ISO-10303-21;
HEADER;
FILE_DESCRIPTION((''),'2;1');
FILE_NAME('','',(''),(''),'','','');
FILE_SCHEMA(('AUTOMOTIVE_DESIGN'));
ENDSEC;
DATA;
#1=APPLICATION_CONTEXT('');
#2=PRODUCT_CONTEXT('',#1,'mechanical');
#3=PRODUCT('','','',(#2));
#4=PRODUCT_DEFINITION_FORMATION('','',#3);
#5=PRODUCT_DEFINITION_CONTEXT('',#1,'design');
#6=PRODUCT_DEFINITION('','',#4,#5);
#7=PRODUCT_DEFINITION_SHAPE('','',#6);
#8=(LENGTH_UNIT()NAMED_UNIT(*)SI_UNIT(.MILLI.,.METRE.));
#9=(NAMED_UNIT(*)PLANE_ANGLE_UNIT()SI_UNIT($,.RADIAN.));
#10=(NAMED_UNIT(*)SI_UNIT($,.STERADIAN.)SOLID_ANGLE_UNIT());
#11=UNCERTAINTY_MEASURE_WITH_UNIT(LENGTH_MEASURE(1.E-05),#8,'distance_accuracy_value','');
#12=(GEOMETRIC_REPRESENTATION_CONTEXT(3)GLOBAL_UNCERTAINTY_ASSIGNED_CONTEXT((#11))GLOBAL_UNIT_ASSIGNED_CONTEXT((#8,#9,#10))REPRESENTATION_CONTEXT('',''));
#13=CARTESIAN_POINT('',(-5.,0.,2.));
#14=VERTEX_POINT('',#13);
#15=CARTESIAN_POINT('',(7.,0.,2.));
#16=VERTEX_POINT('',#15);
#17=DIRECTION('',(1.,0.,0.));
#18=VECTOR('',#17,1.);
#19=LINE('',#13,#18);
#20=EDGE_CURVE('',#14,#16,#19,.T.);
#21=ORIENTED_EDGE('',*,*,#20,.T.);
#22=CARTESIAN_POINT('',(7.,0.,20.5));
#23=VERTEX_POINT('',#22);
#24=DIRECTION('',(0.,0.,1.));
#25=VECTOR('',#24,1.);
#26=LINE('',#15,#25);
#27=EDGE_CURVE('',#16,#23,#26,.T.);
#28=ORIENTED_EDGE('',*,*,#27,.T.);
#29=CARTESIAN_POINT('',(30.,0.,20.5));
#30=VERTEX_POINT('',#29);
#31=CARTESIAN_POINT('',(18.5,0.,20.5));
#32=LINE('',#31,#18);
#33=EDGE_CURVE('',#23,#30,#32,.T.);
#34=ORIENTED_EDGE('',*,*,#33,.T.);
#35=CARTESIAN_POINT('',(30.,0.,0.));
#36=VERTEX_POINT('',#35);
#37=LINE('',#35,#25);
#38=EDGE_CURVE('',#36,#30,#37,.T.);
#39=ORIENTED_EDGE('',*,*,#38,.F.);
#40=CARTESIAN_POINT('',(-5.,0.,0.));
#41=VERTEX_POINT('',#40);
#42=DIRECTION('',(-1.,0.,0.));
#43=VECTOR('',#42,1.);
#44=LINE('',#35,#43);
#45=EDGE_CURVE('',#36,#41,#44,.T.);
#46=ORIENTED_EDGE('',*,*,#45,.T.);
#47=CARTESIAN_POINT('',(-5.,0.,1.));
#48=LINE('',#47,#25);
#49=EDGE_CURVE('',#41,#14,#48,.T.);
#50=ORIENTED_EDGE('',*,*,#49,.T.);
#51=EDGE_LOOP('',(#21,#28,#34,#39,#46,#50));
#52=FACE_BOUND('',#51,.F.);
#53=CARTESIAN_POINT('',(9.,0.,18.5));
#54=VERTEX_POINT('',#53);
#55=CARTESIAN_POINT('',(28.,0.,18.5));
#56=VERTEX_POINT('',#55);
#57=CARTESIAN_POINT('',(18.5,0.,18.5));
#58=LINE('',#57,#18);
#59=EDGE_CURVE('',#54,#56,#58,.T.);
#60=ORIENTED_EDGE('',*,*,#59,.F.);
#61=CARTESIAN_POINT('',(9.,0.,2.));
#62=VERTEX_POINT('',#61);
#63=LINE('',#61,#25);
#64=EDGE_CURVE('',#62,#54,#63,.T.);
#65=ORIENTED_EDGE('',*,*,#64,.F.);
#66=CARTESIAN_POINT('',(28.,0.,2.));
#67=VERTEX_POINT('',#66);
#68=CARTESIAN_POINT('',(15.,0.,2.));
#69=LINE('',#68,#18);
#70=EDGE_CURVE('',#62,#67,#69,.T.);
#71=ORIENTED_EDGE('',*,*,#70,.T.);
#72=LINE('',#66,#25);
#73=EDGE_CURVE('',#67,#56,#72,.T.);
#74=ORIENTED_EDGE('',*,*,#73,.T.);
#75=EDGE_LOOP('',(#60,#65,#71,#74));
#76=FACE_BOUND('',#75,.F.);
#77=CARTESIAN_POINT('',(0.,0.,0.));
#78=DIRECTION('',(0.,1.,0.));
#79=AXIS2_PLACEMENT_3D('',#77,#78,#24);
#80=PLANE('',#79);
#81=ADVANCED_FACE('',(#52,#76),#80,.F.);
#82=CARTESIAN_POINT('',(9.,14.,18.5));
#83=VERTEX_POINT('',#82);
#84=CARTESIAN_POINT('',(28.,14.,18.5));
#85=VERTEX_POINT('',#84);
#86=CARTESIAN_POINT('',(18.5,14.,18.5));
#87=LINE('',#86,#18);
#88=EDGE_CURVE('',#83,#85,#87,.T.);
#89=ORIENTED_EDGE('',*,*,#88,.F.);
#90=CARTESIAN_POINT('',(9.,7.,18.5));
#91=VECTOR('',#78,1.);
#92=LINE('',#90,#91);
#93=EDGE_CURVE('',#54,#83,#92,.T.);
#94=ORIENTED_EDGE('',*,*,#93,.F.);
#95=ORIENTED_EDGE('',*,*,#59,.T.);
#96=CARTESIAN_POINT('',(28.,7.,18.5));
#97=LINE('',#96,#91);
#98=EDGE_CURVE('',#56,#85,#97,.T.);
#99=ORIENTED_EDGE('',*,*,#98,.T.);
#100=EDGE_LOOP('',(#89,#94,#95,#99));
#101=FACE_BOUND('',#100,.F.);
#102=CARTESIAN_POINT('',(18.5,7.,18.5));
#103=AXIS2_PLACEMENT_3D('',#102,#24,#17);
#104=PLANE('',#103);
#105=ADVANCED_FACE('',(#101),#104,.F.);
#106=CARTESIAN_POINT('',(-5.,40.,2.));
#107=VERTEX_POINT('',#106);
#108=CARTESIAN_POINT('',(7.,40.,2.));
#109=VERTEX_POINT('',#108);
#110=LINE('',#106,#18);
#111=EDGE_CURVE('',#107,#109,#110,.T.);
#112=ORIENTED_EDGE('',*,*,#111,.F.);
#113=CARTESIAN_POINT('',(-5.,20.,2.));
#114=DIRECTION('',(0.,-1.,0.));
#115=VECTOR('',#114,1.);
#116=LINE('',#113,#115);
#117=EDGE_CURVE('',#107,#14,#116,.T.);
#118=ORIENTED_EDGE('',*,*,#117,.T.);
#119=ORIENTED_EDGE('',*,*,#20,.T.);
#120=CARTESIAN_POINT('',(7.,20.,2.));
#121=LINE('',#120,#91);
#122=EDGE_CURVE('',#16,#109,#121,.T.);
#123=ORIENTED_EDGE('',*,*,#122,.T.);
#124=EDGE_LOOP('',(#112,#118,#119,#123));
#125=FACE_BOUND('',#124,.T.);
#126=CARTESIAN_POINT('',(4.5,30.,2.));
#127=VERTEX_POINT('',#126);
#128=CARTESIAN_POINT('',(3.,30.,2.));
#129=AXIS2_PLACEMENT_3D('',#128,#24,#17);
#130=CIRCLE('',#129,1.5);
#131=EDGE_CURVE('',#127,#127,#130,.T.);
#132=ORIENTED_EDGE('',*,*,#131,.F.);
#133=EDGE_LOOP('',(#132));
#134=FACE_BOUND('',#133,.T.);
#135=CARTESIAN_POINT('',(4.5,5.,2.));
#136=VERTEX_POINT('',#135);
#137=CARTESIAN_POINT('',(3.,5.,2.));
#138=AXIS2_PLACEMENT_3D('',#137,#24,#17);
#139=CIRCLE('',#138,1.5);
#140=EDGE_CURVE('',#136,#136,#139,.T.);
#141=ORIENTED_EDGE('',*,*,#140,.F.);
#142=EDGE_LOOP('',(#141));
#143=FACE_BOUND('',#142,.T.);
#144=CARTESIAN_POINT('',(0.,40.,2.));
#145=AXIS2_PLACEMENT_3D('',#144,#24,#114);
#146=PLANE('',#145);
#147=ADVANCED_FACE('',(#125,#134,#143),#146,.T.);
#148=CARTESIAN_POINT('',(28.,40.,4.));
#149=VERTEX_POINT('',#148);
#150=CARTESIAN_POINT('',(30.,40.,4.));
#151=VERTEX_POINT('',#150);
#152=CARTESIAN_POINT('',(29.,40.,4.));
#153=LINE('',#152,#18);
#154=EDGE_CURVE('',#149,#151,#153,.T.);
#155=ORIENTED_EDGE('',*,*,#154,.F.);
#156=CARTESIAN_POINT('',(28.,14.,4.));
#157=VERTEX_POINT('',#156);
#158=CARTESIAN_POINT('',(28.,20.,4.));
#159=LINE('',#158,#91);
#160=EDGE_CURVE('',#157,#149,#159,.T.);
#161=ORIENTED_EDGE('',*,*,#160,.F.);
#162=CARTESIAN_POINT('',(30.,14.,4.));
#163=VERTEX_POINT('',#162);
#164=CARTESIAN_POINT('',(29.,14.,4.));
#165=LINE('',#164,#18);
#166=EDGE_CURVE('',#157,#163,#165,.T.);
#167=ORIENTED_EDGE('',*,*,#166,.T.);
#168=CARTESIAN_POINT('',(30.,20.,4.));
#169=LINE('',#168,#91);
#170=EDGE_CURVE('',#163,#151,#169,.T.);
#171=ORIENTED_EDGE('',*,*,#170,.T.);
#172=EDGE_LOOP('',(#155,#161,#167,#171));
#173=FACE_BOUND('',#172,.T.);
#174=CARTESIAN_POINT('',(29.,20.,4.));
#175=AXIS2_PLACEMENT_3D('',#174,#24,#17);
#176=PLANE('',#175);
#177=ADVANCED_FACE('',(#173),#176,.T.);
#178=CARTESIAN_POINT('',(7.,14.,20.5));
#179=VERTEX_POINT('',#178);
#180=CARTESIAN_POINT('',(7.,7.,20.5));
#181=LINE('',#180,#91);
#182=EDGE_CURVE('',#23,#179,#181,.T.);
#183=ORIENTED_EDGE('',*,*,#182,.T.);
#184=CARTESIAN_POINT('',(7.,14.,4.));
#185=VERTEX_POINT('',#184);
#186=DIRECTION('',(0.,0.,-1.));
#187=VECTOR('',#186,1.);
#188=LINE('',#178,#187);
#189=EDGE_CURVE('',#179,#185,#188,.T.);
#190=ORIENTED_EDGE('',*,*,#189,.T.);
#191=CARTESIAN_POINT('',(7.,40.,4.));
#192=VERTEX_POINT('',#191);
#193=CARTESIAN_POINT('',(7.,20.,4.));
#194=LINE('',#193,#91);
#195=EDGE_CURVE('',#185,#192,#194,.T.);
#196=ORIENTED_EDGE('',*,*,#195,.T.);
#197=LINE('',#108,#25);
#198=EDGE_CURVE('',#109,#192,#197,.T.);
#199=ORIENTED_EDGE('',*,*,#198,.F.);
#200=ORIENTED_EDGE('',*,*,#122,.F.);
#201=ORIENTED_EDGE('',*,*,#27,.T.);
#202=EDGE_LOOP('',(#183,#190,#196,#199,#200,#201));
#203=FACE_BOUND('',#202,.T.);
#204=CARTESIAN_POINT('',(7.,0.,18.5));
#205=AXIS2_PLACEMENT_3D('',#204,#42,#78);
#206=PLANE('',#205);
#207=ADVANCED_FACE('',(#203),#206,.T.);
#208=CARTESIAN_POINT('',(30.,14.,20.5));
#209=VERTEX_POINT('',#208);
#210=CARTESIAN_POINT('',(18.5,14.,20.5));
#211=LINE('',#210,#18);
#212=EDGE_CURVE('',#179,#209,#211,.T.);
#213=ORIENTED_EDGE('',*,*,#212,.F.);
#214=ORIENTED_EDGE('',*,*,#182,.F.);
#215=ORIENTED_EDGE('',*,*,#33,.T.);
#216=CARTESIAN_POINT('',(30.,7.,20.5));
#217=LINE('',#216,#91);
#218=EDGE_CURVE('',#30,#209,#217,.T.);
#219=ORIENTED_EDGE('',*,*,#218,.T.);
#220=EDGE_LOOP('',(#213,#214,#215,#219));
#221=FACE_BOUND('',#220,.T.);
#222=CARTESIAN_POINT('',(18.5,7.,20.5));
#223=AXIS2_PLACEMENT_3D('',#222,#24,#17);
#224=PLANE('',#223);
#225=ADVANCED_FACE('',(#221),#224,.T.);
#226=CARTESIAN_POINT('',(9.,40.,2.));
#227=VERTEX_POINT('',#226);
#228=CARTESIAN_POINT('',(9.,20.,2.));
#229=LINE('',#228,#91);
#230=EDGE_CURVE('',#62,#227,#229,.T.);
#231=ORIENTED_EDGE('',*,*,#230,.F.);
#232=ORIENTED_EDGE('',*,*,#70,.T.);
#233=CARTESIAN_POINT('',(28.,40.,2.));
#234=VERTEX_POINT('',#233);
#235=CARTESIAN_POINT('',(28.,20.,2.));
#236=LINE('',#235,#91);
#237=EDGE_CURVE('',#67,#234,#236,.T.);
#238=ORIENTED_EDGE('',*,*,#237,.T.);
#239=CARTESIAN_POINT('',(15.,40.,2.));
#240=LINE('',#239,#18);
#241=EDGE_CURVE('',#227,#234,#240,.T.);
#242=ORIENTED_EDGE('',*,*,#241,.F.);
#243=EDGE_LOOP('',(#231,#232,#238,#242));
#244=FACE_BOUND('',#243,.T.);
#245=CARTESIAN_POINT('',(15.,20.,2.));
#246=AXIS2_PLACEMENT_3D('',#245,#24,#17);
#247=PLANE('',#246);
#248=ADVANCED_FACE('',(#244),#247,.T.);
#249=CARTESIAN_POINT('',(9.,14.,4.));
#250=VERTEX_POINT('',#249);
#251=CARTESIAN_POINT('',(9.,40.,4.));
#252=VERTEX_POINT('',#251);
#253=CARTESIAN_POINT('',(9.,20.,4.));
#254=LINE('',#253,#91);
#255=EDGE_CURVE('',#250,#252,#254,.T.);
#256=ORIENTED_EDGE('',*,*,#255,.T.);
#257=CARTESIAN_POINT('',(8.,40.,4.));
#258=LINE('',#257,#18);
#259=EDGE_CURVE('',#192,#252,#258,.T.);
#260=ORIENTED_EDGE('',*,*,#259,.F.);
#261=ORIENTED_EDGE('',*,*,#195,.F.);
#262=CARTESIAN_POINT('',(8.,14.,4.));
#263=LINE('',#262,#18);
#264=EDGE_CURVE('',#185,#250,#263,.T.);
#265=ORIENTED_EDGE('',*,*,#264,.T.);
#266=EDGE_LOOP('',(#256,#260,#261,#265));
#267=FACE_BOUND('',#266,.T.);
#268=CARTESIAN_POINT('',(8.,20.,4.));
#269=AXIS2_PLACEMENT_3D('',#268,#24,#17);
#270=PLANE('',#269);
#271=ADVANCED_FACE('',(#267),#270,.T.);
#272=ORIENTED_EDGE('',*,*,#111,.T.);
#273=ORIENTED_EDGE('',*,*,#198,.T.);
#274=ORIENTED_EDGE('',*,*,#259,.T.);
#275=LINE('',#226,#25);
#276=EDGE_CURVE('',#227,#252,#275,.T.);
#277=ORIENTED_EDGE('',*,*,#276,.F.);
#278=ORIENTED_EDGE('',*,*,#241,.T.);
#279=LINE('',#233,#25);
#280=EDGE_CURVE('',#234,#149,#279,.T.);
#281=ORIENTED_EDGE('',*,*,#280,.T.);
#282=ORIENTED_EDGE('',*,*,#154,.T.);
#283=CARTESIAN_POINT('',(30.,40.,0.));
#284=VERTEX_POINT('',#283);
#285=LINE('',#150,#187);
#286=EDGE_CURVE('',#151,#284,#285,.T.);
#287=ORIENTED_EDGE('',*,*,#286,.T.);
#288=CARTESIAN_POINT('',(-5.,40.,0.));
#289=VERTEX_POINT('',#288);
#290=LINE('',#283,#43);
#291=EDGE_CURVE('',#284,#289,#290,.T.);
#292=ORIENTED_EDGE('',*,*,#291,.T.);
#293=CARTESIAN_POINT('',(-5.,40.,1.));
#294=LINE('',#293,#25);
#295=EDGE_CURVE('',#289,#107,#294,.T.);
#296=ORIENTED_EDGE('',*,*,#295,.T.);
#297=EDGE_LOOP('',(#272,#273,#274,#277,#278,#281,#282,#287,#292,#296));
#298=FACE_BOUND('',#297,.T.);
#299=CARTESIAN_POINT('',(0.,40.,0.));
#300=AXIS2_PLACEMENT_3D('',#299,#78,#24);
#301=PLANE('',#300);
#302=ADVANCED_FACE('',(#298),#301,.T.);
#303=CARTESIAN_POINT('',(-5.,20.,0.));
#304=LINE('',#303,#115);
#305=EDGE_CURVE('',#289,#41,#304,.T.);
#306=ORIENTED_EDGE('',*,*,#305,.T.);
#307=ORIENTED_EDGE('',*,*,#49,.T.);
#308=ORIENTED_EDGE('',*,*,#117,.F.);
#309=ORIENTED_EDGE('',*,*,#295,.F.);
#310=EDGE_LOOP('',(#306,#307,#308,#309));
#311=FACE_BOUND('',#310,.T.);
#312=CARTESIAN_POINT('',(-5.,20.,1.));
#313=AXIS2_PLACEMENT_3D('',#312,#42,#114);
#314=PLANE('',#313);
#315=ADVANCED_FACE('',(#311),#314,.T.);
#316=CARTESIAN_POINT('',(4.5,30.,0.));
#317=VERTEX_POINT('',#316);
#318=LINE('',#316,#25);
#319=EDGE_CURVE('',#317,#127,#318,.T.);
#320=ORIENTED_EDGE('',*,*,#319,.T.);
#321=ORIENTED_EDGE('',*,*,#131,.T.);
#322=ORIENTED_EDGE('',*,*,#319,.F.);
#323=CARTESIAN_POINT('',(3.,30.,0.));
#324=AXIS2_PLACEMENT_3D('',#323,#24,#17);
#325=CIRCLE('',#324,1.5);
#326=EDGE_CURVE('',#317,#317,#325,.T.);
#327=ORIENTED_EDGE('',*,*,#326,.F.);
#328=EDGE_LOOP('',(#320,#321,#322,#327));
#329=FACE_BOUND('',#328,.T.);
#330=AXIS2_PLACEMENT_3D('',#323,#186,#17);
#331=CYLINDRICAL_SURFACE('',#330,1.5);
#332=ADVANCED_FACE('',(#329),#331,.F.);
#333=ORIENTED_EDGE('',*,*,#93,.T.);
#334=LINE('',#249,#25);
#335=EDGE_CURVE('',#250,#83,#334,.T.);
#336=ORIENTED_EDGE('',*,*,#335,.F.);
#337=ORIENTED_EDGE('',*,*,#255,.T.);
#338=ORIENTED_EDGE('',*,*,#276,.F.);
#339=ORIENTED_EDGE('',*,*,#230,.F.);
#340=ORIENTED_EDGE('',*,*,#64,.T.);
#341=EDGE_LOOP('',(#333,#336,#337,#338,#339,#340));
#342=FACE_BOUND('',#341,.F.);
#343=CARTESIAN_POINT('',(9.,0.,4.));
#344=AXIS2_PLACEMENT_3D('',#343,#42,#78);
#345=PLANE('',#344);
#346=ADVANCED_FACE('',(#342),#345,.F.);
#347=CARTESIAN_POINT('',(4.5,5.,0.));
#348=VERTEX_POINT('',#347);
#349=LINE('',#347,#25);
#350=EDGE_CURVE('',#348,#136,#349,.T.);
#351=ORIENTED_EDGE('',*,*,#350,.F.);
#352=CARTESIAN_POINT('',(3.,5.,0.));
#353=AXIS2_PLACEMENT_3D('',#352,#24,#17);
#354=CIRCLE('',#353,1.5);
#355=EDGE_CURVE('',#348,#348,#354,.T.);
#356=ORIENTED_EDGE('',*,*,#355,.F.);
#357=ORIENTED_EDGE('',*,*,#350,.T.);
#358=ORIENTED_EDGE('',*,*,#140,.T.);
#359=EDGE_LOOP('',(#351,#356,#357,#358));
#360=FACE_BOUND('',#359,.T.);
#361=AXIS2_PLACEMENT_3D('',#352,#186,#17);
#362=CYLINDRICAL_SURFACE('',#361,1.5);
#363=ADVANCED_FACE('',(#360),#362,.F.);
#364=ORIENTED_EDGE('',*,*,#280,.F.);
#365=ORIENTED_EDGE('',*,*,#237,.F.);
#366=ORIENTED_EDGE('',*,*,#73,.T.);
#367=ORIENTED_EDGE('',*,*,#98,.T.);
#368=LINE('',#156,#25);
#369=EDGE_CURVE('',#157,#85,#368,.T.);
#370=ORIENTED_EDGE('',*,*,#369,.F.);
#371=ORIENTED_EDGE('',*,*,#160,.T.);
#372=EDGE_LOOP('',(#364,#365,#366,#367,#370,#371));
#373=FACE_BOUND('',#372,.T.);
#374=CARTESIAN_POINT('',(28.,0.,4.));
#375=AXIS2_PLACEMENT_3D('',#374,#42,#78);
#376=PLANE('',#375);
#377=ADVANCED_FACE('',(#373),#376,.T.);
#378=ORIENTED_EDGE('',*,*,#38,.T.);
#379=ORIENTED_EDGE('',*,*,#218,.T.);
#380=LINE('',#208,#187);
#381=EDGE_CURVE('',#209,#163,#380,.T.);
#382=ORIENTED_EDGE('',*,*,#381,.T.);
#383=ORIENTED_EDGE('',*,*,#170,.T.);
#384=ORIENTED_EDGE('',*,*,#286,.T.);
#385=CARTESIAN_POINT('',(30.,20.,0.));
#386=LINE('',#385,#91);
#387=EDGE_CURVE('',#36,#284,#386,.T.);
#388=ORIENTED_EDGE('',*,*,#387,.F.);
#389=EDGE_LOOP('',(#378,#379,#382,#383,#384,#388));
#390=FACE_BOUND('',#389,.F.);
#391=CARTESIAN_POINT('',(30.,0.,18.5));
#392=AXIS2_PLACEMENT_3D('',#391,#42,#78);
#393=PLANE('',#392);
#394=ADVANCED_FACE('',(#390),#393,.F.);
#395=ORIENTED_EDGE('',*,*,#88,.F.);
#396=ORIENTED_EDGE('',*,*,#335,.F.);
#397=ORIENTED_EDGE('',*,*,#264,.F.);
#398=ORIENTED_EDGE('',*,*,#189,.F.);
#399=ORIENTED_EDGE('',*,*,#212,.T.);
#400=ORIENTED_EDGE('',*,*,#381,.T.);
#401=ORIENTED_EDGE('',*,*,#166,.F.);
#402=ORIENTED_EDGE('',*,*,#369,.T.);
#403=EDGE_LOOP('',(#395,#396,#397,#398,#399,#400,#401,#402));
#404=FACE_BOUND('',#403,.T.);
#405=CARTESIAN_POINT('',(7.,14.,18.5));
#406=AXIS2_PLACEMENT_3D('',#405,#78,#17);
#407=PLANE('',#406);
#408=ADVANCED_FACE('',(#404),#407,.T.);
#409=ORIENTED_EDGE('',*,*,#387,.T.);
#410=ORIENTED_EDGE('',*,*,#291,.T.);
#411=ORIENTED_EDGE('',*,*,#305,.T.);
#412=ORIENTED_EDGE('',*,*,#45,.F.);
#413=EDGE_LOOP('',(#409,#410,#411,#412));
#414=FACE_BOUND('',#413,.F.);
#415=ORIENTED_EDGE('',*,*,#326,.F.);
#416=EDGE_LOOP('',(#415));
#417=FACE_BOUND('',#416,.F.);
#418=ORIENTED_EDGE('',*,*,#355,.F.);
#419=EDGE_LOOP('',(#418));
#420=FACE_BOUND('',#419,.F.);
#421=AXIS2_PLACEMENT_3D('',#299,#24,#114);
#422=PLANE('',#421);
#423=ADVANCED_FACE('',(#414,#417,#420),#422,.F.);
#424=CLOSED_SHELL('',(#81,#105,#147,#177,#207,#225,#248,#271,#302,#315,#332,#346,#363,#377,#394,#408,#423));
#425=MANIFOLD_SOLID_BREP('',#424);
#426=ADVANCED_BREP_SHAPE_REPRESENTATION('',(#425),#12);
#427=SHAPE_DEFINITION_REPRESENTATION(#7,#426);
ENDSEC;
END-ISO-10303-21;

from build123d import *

# Parameters (mm, degrees)
SKETCH_W     = 30
SKETCH_H     = 40
SKETCH_R     = 1.5
PAD_DEPTH    = 2
SKETCH001_W  = 2
SKETCH001_H  = 40
PAD001_DEPTH = 2
SKETCH002_W  = 2
SKETCH002_H  = 14
PAD002_DEPTH = 14.5
SKETCH003_W  = 2
SKETCH003_H  = 14
PAD003_DEPTH = 14.5
SKETCH004_W  = 23
SKETCH004_H  = 14
PAD004_DEPTH = 2
SKETCH005_W  = 40
SKETCH005_H  = 2
PAD005_DEPTH = 5


with BuildPart() as part:
    # Sketch → Pad (new body)
    with BuildSketch(Plane.XY):
        with Locations((15, 20)):
            Rectangle(SKETCH_W, SKETCH_H)
        with Locations((3, 5)):
            Circle(SKETCH_R, mode=Mode.SUBTRACT)
        with Locations((3, 30)):
            Circle(SKETCH_R, mode=Mode.SUBTRACT)
    extrude(amount=PAD_DEPTH)

    # Sketch001 → Pad001 (new body)
    with BuildSketch(Plane.XY.offset(2)):
        with Locations((29, 20)):
            Rectangle(SKETCH001_W, SKETCH001_H)
        with Locations((8, 20)):
            Rectangle(SKETCH001_W, SKETCH001_H)
    extrude(amount=PAD001_DEPTH)

    # Sketch002 → Pad002 (new body)
    with BuildSketch(Plane.XY.offset(4)):
        with Locations((29, 7)):
            Rectangle(SKETCH002_W, SKETCH002_H)
    extrude(amount=PAD002_DEPTH)

    # Sketch003 → Pad003 (new body)
    with BuildSketch(Plane.XY.offset(4)):
        with Locations((8, 7)):
            Rectangle(SKETCH003_W, SKETCH003_H)
    extrude(amount=PAD003_DEPTH)

    # Sketch004 → Pad004 (new body)
    with BuildSketch(Plane.XY.offset(18.5)):
        with Locations((18.5, 7)):
            Rectangle(SKETCH004_W, SKETCH004_H)
    extrude(amount=PAD004_DEPTH)

    # Sketch005 → Pad005 (new body)
    with BuildSketch(Plane(origin=(0, 0, 0), x_dir=(0, -1, 0), z_dir=(-1, 0, 0))):
        with Locations((-20, 1)):
            Rectangle(SKETCH005_W, SKETCH005_H)
    extrude(amount=PAD005_DEPTH)


solid = part.part
